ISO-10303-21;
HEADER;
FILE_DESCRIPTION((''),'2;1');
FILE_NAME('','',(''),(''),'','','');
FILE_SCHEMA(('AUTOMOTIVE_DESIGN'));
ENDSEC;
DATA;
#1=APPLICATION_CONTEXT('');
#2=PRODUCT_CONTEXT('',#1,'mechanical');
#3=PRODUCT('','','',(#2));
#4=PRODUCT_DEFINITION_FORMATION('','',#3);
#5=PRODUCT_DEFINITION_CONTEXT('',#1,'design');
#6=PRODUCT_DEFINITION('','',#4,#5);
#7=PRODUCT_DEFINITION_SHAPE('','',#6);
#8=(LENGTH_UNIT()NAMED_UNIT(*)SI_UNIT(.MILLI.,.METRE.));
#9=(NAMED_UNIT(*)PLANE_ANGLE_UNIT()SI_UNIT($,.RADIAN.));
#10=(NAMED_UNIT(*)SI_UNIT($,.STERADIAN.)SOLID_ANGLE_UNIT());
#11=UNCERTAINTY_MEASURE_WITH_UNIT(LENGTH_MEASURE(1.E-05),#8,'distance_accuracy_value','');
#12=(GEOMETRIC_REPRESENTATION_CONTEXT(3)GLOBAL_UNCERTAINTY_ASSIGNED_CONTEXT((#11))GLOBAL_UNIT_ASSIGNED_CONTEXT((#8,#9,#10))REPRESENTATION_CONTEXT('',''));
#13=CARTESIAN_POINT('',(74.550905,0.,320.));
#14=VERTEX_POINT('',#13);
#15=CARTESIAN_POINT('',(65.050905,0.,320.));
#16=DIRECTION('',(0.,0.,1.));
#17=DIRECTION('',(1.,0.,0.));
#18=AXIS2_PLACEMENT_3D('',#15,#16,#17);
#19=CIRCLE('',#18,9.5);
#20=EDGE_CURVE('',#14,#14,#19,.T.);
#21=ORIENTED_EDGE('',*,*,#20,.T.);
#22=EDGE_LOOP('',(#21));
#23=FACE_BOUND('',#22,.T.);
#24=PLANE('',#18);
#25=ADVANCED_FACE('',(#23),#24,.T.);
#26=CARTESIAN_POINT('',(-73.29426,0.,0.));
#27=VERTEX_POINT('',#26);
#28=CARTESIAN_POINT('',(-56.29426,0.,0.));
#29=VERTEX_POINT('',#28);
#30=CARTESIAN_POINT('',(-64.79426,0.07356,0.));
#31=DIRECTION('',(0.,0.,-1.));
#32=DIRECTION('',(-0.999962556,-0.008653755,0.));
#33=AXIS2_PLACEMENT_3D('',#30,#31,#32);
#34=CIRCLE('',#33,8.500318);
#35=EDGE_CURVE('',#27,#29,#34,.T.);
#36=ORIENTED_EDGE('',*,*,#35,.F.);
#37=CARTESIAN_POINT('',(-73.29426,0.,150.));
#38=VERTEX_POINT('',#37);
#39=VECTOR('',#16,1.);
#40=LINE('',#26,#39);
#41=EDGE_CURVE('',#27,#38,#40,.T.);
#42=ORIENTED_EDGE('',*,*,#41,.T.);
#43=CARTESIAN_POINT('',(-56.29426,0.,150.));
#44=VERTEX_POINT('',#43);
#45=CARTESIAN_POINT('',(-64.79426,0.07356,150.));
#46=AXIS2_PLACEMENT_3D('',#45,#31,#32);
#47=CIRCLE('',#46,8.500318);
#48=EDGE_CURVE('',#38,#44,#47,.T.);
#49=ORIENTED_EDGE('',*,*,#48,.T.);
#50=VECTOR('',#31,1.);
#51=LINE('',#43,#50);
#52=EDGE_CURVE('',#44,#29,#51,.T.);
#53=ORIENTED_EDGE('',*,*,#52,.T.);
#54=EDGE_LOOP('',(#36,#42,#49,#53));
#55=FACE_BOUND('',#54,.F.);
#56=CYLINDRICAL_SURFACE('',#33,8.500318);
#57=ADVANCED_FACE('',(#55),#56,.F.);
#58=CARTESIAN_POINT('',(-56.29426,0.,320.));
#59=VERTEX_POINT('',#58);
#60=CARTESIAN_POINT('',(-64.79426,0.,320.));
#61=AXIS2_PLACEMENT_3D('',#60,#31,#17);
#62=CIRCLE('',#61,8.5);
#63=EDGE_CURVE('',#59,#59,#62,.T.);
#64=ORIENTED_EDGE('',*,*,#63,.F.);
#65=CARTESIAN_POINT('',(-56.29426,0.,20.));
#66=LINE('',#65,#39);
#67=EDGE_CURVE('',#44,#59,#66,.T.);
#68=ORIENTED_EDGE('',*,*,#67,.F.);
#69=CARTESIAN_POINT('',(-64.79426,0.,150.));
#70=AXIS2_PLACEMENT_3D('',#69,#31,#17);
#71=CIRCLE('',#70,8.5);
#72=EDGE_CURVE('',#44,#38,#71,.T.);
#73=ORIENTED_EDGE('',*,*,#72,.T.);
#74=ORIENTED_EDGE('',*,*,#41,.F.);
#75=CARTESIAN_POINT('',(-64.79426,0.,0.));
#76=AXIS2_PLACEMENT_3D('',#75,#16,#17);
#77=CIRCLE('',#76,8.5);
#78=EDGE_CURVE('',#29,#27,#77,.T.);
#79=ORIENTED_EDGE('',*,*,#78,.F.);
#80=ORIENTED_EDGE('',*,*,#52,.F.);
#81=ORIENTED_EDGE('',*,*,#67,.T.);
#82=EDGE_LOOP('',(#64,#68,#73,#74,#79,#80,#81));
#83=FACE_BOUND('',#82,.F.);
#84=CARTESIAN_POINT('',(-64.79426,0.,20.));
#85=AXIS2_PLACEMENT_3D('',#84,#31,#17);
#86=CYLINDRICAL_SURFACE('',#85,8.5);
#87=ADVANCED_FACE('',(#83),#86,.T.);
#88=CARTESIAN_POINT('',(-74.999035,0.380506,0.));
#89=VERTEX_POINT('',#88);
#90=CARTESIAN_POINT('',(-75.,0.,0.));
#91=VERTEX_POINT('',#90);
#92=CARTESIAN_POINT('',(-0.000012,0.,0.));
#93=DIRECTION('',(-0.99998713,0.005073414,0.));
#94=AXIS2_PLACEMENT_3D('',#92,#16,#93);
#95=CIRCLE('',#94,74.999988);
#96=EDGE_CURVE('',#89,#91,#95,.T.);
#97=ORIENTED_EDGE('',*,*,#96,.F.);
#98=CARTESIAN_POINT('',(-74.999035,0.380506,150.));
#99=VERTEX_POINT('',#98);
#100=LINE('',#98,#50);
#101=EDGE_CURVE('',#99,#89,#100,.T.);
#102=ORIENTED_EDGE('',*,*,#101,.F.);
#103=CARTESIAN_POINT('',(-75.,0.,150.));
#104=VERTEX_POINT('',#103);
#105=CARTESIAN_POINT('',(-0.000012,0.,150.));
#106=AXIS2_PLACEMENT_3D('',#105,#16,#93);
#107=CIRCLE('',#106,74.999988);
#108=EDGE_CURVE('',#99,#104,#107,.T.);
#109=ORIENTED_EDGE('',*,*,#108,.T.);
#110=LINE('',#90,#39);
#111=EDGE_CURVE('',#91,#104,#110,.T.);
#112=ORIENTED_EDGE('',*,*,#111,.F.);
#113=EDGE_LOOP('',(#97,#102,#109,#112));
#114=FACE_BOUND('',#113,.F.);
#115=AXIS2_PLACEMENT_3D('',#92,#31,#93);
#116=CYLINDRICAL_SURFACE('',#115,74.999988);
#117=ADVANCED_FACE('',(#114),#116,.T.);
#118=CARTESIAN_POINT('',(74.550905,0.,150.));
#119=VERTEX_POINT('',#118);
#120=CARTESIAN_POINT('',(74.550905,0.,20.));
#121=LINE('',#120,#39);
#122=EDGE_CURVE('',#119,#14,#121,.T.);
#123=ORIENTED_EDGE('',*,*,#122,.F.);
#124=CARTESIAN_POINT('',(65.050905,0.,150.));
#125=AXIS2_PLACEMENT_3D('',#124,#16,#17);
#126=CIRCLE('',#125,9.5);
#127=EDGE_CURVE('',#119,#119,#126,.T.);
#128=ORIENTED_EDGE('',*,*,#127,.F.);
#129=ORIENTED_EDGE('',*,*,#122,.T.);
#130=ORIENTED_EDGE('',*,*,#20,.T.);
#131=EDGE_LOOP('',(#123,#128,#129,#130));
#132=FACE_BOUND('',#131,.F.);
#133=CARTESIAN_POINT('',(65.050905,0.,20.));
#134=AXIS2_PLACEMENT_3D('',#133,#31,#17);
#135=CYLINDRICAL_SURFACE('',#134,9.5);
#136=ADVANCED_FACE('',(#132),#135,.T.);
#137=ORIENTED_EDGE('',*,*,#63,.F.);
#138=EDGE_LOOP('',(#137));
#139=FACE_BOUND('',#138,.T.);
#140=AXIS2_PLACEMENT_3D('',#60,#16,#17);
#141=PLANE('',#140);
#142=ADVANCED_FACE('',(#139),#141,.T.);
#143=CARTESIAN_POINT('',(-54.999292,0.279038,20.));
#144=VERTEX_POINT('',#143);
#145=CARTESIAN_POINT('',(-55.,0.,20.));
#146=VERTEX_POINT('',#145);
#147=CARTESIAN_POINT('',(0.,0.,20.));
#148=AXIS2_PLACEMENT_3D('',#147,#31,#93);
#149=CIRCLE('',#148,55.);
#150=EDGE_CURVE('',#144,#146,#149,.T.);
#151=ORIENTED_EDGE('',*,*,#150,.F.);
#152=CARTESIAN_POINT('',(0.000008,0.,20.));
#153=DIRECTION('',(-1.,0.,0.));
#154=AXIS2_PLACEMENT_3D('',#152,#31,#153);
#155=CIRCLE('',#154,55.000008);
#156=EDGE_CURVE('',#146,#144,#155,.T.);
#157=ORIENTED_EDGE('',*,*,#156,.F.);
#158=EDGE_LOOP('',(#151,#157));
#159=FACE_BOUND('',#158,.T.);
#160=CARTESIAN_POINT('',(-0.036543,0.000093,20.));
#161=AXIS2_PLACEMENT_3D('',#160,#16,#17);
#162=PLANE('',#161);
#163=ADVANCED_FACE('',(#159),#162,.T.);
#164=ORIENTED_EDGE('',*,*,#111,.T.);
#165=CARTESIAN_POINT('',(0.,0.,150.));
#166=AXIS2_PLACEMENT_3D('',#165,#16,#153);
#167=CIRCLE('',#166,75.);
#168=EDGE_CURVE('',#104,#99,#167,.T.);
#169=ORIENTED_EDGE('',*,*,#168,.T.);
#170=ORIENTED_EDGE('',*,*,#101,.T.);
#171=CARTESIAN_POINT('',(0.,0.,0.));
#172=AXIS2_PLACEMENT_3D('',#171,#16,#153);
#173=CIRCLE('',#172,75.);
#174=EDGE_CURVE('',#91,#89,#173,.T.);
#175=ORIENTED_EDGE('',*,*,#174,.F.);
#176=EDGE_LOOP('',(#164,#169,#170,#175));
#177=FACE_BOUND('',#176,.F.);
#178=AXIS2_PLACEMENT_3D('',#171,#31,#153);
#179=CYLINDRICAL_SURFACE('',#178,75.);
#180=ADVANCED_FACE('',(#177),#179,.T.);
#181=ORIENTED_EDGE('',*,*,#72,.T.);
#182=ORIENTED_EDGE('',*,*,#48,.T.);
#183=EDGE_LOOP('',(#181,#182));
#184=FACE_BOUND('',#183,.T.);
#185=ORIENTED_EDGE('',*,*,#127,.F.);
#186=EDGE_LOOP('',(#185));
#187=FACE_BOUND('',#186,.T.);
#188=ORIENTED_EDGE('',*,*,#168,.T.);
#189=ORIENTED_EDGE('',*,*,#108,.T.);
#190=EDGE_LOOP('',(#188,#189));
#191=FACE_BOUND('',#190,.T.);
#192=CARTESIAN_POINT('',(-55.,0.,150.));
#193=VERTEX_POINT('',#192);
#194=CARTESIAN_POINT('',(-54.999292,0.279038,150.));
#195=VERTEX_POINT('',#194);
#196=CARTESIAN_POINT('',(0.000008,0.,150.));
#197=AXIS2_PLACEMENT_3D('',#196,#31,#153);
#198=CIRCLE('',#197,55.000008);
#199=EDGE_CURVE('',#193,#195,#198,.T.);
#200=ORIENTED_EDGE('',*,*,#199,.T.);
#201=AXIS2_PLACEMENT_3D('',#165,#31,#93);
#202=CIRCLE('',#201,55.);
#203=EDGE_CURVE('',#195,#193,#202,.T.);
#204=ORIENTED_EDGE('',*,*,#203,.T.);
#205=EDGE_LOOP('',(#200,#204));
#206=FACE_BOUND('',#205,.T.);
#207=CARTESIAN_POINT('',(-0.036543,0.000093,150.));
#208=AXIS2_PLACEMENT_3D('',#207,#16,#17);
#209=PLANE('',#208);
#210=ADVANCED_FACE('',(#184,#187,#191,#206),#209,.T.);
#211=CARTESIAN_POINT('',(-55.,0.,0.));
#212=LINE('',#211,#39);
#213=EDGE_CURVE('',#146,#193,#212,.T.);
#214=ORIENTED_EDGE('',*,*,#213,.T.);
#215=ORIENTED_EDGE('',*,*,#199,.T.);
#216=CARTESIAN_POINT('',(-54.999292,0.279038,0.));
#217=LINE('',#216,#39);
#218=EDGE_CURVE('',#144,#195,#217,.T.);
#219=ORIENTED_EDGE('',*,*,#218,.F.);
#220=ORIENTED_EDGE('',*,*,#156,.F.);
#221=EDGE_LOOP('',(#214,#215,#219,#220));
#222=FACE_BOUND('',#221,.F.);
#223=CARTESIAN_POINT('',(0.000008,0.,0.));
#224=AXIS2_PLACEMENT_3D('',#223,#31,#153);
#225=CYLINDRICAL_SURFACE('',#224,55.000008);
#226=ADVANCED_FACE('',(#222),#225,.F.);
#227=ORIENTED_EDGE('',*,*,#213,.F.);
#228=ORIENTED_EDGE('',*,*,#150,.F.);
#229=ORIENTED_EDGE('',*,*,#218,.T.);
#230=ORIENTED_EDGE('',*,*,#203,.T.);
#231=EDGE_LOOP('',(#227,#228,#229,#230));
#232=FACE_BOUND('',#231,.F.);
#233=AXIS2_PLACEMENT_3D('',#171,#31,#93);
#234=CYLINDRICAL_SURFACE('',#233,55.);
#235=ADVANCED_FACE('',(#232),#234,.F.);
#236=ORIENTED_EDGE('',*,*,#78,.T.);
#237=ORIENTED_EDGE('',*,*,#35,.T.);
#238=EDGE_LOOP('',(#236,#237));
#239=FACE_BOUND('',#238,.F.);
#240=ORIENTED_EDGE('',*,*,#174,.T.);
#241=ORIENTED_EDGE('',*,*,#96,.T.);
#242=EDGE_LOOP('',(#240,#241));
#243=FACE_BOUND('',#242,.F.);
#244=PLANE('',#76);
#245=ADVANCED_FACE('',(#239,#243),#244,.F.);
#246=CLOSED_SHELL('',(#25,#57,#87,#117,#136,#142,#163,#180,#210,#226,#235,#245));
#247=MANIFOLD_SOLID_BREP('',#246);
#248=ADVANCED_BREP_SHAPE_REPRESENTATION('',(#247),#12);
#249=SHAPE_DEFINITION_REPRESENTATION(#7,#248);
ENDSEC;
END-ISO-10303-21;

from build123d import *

# Parameters (mm, degrees)
F0_R     = 9.5
F1_DEPTH = 150
F2_DEPTH = 20
F3_DEPTH = 20
F4_DEPTH = 300
F5_DEPTH = 300


with BuildPart() as f1:
    # F0 (on Top) → F1 (new body)
    with BuildSketch(Plane.XY):
        with BuildLine():
            ThreePointArc((-74.9990347614, 0.3805060562), (-74.99975869, 0.1902536402), (-75, 0))
            ThreePointArc((-75, 0), (0, -75), (75, 0))
            ThreePointArc((75, 0), (0.1902536402, 74.99975869), (-74.9990347614, 0.3805060562))
        make_face()
        with BuildLine():
            ThreePointArc((-73.2942603105, 0), (-64.7942603105, 8.5738779646), (-56.2942603105, 0))
            ThreePointArc((-56.2942603105, 0), (-64.7942603105, -8.5), (-73.2942603105, 0))
        make_face(mode=Mode.SUBTRACT)
        with BuildLine():
            ThreePointArc((-55, 0), (-54.9998230393, 0.1395193362), (-54.9992921584, 0.2790377745))
            ThreePointArc((-54.9992921584, 0.2790377745), (0.1395193362, 54.9998230393), (55, 0))
            ThreePointArc((55, 0), (0, -55), (-55, 0))
        make_face(mode=Mode.SUBTRACT)
        with Locations((65.0509051438, 0)):
            Circle(F0_R, mode=Mode.SUBTRACT)
    extrude(amount=F1_DEPTH)

    # F0 (on Top) → F2 (join)
    with BuildSketch(Plane.XY):
        with BuildLine():
            ThreePointArc((-74.9990347614, 0.3805060562), (-74.99975869, 0.1902536402), (-75, 0))
            ThreePointArc((-75, 0), (0, -75), (75, 0))
            ThreePointArc((75, 0), (0.1902536402, 74.99975869), (-74.9990347614, 0.3805060562))
        make_face()
        with BuildLine():
            ThreePointArc((-73.2942603105, 0), (-64.7942603105, 8.5738779646), (-56.2942603105, 0))
            ThreePointArc((-56.2942603105, 0), (-64.7942603105, -8.5), (-73.2942603105, 0))
        make_face(mode=Mode.SUBTRACT)
        with BuildLine():
            ThreePointArc((-55, 0), (-54.9998230393, 0.1395193362), (-54.9992921584, 0.2790377745))
            ThreePointArc((-54.9992921584, 0.2790377745), (0.1395193362, 54.9998230393), (55, 0))
            ThreePointArc((55, 0), (0, -55), (-55, 0))
        make_face(mode=Mode.SUBTRACT)
        with Locations((65.0509051438, 0)):
            Circle(F0_R, mode=Mode.SUBTRACT)
        with BuildLine():
            ThreePointArc((-55, 0), (-54.998672885, 0.1395164185), (-54.9992921584, 0.2790377745))
            ThreePointArc((-54.9992921584, 0.2790377745), (-54.9998230393, 0.1395193362), (-55, 0))
        make_face()
        with BuildLine():
            ThreePointArc((55, 0), (0.1395193362, 54.9998230393), (-54.9992921584, 0.2790377745))
            ThreePointArc((-54.9992921584, 0.2790377745), (-54.998672885, 0.1395164185), (-55, 0))
            ThreePointArc((-55, 0), (0, -55), (55, 0))
        make_face()
    extrude(amount=F2_DEPTH)

    # F0 (on Top) → F3 (join)
    with BuildSketch(Plane.XY):
        with BuildLine():
            ThreePointArc((-73.2942603105, 0), (-64.7942603105, -8.5), (-56.2942603105, 0))
            ThreePointArc((-56.2942603105, 0), (-64.7942603105, 8.5), (-73.2942603105, 0))
        make_face()
        with Locations((65.0509051438, 0)):
            Circle(F0_R)
    extrude(amount=F3_DEPTH)

    # F4 (add): a face of the model
    f4_faces = [f1.faces().sort_by_distance(p)[0] for p in [
        (-64.7942603105, 0, 20),
    ]]
    extrude(f4_faces, amount=F4_DEPTH)

    # F5 (add): a face of the model
    f5_faces = [f1.faces().sort_by_distance(p)[0] for p in [
        (65.0509051438, 0, 20),
    ]]
    extrude(f5_faces, amount=F5_DEPTH)


solid = f1.part
